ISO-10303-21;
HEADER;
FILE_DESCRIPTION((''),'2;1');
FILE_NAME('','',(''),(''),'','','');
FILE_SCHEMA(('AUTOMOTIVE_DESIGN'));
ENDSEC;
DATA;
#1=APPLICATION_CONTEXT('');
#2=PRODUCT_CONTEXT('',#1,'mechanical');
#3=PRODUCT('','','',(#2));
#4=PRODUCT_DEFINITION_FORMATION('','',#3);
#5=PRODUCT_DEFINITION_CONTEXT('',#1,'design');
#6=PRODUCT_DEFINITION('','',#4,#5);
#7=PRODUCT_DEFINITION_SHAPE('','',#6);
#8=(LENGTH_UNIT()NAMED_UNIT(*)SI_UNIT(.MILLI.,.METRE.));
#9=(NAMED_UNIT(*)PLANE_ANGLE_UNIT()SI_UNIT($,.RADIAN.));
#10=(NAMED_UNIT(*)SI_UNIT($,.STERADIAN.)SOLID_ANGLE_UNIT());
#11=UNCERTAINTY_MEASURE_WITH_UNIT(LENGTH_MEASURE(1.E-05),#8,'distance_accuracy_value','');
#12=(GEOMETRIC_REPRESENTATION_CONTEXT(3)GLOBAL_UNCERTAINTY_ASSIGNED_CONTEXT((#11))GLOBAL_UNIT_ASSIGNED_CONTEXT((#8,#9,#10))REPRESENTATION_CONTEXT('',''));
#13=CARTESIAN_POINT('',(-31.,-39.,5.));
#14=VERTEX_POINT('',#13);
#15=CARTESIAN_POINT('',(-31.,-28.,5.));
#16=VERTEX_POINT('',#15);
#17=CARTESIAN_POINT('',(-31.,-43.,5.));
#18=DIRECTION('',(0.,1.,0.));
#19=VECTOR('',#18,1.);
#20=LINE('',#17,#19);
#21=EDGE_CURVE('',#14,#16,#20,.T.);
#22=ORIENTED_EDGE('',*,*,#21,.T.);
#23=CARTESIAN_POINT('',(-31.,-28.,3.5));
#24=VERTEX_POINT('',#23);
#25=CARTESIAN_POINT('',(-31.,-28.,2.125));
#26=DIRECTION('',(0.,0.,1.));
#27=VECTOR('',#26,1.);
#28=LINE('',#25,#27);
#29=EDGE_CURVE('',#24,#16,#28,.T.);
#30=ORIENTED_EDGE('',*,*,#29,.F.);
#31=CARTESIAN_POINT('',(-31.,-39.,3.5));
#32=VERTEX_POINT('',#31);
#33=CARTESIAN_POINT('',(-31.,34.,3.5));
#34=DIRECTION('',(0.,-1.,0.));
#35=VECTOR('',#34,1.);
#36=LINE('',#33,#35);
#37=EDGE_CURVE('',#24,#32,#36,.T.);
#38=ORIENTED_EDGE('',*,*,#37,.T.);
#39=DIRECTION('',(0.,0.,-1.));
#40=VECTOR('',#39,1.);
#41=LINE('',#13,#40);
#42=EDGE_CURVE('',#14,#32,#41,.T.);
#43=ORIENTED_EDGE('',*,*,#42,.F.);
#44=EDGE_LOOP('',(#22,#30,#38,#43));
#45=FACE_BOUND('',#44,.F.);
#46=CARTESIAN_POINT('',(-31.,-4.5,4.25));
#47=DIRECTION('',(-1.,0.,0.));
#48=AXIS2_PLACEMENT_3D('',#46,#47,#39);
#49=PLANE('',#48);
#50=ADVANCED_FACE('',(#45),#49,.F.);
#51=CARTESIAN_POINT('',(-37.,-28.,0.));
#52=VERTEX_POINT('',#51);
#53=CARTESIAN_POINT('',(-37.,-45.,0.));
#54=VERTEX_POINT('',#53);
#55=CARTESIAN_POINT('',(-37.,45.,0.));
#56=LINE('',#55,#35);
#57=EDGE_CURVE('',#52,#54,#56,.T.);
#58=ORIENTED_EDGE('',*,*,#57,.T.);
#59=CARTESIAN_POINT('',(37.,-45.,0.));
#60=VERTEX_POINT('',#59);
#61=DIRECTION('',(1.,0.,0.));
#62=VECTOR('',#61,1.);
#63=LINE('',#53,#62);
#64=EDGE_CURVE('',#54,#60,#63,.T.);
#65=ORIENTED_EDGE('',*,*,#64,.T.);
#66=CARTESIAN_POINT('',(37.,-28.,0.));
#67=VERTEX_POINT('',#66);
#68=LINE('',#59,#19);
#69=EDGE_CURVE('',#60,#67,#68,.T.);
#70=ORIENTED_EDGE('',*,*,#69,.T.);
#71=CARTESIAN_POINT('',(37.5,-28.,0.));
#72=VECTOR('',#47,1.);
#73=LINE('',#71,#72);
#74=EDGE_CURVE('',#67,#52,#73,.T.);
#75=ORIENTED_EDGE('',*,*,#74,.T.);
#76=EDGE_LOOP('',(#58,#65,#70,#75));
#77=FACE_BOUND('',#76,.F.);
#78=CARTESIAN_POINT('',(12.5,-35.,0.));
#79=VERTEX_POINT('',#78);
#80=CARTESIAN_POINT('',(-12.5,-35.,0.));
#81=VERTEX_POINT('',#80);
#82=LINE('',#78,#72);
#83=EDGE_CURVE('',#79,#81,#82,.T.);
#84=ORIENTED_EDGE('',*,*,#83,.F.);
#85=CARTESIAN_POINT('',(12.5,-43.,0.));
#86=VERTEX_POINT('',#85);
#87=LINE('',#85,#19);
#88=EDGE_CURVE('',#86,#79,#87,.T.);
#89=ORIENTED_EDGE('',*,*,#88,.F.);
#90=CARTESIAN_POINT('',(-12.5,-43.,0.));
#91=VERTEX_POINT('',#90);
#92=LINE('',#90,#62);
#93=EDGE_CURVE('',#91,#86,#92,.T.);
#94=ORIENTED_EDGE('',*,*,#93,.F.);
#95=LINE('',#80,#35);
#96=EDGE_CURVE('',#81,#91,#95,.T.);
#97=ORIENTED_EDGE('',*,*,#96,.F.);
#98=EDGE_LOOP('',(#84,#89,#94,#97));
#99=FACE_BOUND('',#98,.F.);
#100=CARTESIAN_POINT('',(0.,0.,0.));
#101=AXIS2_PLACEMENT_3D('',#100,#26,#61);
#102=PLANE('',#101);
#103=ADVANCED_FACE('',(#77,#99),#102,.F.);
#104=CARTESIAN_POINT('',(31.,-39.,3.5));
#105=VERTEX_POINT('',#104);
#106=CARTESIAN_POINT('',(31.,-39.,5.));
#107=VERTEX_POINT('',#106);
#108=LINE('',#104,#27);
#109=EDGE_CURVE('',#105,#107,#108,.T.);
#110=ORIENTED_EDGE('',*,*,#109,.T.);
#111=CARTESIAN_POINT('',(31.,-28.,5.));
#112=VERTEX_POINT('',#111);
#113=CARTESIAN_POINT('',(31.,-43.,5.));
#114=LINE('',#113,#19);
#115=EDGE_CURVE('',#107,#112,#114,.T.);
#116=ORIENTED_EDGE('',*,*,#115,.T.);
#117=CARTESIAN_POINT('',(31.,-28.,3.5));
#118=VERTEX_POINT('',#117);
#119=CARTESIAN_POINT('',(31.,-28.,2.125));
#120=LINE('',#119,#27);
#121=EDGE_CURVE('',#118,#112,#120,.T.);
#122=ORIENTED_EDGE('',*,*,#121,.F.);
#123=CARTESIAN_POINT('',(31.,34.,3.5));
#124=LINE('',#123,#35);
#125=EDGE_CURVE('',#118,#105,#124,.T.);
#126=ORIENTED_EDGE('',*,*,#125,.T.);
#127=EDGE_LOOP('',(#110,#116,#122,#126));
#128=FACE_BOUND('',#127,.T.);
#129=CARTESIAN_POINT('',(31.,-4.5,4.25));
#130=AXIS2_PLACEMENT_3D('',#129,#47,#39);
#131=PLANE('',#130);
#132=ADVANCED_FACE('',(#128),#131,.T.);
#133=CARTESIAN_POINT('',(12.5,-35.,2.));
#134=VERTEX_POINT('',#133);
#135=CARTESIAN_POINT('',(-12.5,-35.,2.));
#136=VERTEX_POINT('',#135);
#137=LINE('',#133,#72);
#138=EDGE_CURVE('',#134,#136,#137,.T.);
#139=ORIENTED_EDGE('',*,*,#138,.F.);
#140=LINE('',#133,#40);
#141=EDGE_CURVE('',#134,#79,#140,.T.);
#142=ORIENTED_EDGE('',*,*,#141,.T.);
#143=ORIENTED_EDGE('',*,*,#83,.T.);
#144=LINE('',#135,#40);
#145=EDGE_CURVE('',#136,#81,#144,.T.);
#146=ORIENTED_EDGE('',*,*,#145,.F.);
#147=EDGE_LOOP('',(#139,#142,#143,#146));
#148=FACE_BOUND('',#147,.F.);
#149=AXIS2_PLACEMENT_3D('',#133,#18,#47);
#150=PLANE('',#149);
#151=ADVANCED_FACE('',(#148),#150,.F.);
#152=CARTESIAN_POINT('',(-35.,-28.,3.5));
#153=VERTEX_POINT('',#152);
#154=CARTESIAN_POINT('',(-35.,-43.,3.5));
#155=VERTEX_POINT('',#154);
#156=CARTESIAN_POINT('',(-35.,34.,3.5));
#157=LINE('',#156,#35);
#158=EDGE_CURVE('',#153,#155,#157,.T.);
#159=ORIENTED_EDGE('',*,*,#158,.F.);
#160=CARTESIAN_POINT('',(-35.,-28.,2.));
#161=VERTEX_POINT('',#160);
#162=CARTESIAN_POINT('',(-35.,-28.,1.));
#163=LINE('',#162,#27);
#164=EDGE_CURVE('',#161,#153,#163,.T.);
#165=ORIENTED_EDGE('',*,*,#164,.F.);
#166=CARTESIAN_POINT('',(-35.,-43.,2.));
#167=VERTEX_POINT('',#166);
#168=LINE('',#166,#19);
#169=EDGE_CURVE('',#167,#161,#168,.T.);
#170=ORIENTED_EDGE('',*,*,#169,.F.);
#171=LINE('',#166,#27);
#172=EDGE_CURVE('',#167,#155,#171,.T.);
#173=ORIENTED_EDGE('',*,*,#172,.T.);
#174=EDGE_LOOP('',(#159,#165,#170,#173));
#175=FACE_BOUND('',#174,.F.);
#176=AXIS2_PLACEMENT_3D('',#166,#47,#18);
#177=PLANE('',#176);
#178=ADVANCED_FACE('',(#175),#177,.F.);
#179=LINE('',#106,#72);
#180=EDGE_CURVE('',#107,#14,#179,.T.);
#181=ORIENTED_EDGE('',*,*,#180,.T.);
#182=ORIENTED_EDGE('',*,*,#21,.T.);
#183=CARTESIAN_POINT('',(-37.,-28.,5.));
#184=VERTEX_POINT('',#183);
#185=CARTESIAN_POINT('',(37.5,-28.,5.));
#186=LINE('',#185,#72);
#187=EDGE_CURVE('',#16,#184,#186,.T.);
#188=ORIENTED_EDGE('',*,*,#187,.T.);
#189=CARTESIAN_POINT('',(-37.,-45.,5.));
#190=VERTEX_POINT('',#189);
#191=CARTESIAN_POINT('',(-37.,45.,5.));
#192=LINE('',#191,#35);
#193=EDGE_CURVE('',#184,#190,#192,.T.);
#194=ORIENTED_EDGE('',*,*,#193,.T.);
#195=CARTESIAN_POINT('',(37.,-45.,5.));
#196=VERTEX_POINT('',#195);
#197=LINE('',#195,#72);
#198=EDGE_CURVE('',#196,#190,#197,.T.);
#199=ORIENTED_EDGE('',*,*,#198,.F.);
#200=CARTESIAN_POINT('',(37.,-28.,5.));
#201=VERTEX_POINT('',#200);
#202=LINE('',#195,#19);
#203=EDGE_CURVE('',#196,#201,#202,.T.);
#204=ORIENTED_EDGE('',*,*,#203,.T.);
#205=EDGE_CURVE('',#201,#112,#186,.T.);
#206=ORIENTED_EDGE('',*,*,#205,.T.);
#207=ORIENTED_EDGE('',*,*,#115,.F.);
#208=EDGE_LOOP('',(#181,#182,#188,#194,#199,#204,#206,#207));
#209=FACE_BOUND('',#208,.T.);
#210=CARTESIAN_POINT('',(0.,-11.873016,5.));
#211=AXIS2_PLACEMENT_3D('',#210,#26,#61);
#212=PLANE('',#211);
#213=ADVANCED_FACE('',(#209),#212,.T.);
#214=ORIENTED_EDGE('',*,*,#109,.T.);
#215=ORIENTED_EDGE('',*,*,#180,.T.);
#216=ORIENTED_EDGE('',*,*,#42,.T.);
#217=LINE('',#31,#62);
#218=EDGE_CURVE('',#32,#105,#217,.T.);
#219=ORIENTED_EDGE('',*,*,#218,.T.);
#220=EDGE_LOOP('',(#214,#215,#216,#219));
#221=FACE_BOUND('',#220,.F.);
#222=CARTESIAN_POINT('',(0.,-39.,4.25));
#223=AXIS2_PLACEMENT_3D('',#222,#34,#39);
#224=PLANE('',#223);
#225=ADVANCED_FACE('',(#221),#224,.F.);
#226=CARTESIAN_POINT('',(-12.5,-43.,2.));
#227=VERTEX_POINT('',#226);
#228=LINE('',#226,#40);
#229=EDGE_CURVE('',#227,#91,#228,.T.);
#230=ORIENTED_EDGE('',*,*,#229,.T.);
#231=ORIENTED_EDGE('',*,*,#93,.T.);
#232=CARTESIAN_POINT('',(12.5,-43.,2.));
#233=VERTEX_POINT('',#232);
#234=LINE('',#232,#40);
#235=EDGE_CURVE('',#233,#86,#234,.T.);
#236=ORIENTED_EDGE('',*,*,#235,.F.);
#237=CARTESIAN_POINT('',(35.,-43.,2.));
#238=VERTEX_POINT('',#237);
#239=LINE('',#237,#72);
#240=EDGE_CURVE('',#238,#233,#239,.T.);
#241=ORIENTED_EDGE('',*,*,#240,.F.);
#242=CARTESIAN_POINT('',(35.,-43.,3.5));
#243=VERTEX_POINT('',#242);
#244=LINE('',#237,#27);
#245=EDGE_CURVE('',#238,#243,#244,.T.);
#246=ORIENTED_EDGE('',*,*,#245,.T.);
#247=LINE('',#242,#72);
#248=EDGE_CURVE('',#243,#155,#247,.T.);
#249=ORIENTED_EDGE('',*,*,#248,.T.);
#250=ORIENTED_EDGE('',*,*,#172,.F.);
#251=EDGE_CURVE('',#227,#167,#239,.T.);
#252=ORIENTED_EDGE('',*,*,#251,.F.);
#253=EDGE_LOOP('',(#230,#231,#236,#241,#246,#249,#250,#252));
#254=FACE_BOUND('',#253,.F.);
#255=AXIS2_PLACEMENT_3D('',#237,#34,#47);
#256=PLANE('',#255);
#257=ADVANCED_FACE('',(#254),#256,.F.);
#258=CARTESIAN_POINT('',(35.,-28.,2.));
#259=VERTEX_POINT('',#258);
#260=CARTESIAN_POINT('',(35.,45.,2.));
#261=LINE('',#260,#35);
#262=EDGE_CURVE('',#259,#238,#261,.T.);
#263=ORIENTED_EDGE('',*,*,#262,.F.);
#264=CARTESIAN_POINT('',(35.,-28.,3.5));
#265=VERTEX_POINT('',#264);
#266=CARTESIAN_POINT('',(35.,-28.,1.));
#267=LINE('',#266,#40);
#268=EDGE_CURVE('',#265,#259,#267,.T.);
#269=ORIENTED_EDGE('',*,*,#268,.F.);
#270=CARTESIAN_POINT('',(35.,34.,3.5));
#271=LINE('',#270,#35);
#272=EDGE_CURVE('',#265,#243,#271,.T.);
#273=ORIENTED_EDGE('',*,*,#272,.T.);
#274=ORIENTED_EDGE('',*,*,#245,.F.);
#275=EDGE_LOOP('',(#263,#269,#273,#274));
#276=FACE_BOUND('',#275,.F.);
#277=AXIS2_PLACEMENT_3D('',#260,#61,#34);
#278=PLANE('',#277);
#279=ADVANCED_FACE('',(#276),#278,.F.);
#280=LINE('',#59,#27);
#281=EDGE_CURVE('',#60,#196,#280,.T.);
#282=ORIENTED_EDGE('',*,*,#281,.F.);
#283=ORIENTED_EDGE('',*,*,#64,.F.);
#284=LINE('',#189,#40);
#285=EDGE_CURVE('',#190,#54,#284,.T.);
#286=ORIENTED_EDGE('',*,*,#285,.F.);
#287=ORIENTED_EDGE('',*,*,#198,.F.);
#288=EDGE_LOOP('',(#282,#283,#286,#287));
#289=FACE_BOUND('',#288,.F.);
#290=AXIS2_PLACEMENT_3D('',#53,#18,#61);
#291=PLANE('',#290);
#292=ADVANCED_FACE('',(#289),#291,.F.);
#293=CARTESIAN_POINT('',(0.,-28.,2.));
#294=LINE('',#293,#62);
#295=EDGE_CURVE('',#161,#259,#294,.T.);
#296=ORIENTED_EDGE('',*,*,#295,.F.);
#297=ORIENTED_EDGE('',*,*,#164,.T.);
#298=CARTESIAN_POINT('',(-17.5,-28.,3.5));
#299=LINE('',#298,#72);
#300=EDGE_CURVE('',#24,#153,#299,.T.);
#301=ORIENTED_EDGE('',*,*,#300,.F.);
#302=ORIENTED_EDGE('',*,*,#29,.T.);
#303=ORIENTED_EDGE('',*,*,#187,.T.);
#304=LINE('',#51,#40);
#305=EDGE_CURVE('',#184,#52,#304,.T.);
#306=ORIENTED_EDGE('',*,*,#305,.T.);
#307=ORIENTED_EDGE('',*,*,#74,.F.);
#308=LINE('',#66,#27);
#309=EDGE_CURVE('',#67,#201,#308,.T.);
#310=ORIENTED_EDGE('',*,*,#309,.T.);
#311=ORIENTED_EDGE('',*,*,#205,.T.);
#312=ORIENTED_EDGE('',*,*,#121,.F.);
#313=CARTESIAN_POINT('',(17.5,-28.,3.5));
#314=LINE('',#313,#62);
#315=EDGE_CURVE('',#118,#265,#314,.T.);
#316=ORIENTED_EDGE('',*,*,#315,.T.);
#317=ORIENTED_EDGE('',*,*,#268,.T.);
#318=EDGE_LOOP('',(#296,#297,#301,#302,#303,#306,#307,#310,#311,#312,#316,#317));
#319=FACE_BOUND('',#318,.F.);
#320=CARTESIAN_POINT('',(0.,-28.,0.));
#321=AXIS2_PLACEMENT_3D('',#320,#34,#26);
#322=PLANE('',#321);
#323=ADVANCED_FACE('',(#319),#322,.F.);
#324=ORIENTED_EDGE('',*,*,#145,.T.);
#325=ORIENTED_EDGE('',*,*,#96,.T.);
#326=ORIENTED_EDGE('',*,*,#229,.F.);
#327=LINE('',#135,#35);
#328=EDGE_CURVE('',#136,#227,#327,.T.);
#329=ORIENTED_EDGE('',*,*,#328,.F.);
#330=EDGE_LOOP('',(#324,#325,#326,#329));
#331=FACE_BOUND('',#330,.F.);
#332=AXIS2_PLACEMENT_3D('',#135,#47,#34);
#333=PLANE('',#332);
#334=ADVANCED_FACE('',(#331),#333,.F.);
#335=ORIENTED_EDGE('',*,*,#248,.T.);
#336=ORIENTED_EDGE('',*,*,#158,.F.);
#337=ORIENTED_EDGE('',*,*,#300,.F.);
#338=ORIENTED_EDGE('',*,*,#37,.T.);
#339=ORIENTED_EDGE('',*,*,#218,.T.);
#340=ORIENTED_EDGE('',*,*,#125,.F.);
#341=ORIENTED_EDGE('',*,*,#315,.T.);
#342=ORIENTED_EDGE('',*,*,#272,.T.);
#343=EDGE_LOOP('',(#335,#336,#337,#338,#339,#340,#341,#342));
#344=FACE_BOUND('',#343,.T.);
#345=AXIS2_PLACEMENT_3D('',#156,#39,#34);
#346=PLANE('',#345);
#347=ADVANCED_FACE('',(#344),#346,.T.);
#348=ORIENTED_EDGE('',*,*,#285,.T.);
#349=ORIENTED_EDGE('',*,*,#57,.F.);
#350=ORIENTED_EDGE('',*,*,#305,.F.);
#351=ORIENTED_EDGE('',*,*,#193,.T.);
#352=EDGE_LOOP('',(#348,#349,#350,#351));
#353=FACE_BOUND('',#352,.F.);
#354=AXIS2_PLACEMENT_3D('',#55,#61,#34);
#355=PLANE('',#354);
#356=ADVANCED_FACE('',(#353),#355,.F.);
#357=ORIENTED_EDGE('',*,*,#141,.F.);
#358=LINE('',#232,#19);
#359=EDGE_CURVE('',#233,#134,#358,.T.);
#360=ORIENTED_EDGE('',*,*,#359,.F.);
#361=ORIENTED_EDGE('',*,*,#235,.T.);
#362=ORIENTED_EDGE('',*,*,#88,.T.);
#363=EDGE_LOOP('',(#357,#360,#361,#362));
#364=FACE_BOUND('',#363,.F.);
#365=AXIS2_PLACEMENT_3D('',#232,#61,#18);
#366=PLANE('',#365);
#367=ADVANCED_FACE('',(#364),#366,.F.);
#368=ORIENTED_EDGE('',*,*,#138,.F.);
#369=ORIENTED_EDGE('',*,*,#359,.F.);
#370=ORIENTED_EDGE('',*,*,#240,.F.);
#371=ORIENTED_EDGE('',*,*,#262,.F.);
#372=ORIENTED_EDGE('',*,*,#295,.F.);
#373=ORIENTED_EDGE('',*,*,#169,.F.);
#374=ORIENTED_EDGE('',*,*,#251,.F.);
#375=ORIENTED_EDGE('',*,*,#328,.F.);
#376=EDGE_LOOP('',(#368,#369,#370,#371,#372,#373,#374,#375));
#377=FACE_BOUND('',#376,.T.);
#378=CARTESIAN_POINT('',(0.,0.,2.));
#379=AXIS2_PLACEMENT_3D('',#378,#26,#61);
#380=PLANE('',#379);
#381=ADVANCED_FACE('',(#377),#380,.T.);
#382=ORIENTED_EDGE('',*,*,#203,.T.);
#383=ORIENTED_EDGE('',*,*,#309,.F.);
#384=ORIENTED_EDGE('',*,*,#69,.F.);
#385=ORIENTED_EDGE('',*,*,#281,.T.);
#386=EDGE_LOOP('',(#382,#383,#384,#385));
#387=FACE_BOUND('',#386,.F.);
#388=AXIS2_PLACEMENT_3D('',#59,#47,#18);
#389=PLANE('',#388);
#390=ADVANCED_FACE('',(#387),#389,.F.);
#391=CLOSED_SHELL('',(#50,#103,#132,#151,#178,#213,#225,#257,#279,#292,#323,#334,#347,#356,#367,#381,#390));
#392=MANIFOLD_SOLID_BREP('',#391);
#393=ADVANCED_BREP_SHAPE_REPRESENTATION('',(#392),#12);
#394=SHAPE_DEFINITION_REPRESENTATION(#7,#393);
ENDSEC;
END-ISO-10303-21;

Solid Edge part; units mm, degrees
sketch "Sketch1" plane through (0, 0, 0) normal (0, 0, 1) x (1, 0, 0)
  line L0 (-37, -45) -> (37, -45)
  line L1 (37, -45) -> (37, 45)
  line L2 (37, 45) -> (-37, 45)
  line L3 (-37, 45) -> (-37, -45)
  dimension "D1" = 74
  dimension "D2" = 90
extrude "Protrusion1" add sketch "Sketch1" along normal blind 2
sketch "Sketch2" plane through (0, 0, 2) normal (0, 0, 1) x (1, 0, 0)
  line L0 (-35, -43) -> (-35, 45)
  line L1 (-35, 45) -> (-37, 45)
  line L2 (-37, 45) -> (-37, -45)
  line L3 (37, -45) -> (-37, -45)
  line L4 (37, -45) -> (37, 45)
  line L5 (37, 45) -> (35, 45)
  line L6 (35, 45) -> (35, -43)
  line L7 (35, -43) -> (-35, -43)
extrude "ExtrudedProtrusion_2" add sketch "Sketch2" along normal blind 3
sketch "Sketch3" plane through (35, 1, 3.5) normal (-1, 0, 0) x (0, -1, 0)
  line L0 (44, 1.5) -> (-33, 1.5)
  line L1 (-33, 1.5) -> (-33, 0)
  line L2 (-33, 0) -> (44, 0)
  line L3 (44, 0) -> (44, 1.5)
extrude "ExtrudedProtrusion_3" add sketch "Sketch3" along normal blind 4
sketch "Sketch4" plane through (-35, 1, 3.5) normal (1, 0, 0) x (0, 1, 0)
  line L0 (-44, 1.5) -> (33, 1.5)
  line L1 (33, 1.5) -> (33, 0)
  line L2 (33, 0) -> (-44, 0)
  line L3 (-44, 0) -> (-44, 1.5)
extrude "ExtrudedProtrusion_4" add sketch "Sketch4" along normal blind 4
sketch "Sketch5" plane through (35, 1, 3.5) normal (-1, 0, 0) x (0, -1, 0)
  spline S0 degree 3 poles (-33, -1.5) (-34.865, -1.4464) (-37.9174, -1.5297) (-41.2071, 1.135) (-43.2352, 1.3829) (-44, 1.5) knots 0 0 0 0 0.440598 0.817285 1 1 1 1
  line L0 (-44, -1.5) -> (-33, -1.5)
  line L1 (-44, 1.5) -> (-44, -1.5)
extrude "ExtrudedProtrusion_5" add sketch "Sketch5" along normal blind 70
fillet "Round_5" radius 1 2 edges at (33, 34, 3.5) (-33, 34, 3.5)
sketch "Sketch6" plane through (0, 45, 2.5) normal (0, 1, 0) x (-1, 0, 0)
  line L0 (37, -2.5) -> (-37, -2.5)
  line L1 (-37, -2.5) -> (-37, 2.5)
  line L2 (-37, 2.5) -> (37, 2.5)
  line L3 (37, 2.5) -> (37, -2.5)
extrude "ExtrudedProtrusion_6" add sketch "Sketch6" along normal blind 2
sketch "Sketch7" plane through (0, -4.5, 2) normal (0, 0, 1) x (1, 0, 0)
  line L0 (12.5, -30.5) -> (-12.5, -30.5)
  line L1 (-12.5, -30.5) -> (-12.5, -38.5)
  line L2 (-12.5, -38.5) -> (12.5, -38.5)
  line L3 (12.5, -38.5) -> (12.5, -30.5)
  dimension "D1" = 8
  dimension "D2" = 25
extrude "ExtrudedCutout_1" cut sketch "Sketch7" against normal blind 2
sketch "Sketch8" plane through (0, -43, 2.5) normal (0, 1, 0) x (1, 0, 0)
  line L0 (-31, -1) -> (31, -1)
  line L1 (31, -1) -> (31, -2.5)
  line L2 (31, -2.5) -> (-31, -2.5)
  line L3 (-31, -2.5) -> (-31, -1)
extrude "ExtrudedProtrusion_7" add sketch "Sketch8" along normal blind 4
sketch "Sketch9" plane through (0, 0, 0) normal (1, 0, 0) x (0, 1, 0)
  line L0 (47, 0) -> (-28, 0)
  line L1 (-28, 0) -> (-28, 5)
  line L2 (-28, 5) -> (47, 5)
  line L3 (47, 5) -> (47, 0)
extrude "ExtrudedCutout_2" cut sketch "Sketch9" along normal mid plane 75
